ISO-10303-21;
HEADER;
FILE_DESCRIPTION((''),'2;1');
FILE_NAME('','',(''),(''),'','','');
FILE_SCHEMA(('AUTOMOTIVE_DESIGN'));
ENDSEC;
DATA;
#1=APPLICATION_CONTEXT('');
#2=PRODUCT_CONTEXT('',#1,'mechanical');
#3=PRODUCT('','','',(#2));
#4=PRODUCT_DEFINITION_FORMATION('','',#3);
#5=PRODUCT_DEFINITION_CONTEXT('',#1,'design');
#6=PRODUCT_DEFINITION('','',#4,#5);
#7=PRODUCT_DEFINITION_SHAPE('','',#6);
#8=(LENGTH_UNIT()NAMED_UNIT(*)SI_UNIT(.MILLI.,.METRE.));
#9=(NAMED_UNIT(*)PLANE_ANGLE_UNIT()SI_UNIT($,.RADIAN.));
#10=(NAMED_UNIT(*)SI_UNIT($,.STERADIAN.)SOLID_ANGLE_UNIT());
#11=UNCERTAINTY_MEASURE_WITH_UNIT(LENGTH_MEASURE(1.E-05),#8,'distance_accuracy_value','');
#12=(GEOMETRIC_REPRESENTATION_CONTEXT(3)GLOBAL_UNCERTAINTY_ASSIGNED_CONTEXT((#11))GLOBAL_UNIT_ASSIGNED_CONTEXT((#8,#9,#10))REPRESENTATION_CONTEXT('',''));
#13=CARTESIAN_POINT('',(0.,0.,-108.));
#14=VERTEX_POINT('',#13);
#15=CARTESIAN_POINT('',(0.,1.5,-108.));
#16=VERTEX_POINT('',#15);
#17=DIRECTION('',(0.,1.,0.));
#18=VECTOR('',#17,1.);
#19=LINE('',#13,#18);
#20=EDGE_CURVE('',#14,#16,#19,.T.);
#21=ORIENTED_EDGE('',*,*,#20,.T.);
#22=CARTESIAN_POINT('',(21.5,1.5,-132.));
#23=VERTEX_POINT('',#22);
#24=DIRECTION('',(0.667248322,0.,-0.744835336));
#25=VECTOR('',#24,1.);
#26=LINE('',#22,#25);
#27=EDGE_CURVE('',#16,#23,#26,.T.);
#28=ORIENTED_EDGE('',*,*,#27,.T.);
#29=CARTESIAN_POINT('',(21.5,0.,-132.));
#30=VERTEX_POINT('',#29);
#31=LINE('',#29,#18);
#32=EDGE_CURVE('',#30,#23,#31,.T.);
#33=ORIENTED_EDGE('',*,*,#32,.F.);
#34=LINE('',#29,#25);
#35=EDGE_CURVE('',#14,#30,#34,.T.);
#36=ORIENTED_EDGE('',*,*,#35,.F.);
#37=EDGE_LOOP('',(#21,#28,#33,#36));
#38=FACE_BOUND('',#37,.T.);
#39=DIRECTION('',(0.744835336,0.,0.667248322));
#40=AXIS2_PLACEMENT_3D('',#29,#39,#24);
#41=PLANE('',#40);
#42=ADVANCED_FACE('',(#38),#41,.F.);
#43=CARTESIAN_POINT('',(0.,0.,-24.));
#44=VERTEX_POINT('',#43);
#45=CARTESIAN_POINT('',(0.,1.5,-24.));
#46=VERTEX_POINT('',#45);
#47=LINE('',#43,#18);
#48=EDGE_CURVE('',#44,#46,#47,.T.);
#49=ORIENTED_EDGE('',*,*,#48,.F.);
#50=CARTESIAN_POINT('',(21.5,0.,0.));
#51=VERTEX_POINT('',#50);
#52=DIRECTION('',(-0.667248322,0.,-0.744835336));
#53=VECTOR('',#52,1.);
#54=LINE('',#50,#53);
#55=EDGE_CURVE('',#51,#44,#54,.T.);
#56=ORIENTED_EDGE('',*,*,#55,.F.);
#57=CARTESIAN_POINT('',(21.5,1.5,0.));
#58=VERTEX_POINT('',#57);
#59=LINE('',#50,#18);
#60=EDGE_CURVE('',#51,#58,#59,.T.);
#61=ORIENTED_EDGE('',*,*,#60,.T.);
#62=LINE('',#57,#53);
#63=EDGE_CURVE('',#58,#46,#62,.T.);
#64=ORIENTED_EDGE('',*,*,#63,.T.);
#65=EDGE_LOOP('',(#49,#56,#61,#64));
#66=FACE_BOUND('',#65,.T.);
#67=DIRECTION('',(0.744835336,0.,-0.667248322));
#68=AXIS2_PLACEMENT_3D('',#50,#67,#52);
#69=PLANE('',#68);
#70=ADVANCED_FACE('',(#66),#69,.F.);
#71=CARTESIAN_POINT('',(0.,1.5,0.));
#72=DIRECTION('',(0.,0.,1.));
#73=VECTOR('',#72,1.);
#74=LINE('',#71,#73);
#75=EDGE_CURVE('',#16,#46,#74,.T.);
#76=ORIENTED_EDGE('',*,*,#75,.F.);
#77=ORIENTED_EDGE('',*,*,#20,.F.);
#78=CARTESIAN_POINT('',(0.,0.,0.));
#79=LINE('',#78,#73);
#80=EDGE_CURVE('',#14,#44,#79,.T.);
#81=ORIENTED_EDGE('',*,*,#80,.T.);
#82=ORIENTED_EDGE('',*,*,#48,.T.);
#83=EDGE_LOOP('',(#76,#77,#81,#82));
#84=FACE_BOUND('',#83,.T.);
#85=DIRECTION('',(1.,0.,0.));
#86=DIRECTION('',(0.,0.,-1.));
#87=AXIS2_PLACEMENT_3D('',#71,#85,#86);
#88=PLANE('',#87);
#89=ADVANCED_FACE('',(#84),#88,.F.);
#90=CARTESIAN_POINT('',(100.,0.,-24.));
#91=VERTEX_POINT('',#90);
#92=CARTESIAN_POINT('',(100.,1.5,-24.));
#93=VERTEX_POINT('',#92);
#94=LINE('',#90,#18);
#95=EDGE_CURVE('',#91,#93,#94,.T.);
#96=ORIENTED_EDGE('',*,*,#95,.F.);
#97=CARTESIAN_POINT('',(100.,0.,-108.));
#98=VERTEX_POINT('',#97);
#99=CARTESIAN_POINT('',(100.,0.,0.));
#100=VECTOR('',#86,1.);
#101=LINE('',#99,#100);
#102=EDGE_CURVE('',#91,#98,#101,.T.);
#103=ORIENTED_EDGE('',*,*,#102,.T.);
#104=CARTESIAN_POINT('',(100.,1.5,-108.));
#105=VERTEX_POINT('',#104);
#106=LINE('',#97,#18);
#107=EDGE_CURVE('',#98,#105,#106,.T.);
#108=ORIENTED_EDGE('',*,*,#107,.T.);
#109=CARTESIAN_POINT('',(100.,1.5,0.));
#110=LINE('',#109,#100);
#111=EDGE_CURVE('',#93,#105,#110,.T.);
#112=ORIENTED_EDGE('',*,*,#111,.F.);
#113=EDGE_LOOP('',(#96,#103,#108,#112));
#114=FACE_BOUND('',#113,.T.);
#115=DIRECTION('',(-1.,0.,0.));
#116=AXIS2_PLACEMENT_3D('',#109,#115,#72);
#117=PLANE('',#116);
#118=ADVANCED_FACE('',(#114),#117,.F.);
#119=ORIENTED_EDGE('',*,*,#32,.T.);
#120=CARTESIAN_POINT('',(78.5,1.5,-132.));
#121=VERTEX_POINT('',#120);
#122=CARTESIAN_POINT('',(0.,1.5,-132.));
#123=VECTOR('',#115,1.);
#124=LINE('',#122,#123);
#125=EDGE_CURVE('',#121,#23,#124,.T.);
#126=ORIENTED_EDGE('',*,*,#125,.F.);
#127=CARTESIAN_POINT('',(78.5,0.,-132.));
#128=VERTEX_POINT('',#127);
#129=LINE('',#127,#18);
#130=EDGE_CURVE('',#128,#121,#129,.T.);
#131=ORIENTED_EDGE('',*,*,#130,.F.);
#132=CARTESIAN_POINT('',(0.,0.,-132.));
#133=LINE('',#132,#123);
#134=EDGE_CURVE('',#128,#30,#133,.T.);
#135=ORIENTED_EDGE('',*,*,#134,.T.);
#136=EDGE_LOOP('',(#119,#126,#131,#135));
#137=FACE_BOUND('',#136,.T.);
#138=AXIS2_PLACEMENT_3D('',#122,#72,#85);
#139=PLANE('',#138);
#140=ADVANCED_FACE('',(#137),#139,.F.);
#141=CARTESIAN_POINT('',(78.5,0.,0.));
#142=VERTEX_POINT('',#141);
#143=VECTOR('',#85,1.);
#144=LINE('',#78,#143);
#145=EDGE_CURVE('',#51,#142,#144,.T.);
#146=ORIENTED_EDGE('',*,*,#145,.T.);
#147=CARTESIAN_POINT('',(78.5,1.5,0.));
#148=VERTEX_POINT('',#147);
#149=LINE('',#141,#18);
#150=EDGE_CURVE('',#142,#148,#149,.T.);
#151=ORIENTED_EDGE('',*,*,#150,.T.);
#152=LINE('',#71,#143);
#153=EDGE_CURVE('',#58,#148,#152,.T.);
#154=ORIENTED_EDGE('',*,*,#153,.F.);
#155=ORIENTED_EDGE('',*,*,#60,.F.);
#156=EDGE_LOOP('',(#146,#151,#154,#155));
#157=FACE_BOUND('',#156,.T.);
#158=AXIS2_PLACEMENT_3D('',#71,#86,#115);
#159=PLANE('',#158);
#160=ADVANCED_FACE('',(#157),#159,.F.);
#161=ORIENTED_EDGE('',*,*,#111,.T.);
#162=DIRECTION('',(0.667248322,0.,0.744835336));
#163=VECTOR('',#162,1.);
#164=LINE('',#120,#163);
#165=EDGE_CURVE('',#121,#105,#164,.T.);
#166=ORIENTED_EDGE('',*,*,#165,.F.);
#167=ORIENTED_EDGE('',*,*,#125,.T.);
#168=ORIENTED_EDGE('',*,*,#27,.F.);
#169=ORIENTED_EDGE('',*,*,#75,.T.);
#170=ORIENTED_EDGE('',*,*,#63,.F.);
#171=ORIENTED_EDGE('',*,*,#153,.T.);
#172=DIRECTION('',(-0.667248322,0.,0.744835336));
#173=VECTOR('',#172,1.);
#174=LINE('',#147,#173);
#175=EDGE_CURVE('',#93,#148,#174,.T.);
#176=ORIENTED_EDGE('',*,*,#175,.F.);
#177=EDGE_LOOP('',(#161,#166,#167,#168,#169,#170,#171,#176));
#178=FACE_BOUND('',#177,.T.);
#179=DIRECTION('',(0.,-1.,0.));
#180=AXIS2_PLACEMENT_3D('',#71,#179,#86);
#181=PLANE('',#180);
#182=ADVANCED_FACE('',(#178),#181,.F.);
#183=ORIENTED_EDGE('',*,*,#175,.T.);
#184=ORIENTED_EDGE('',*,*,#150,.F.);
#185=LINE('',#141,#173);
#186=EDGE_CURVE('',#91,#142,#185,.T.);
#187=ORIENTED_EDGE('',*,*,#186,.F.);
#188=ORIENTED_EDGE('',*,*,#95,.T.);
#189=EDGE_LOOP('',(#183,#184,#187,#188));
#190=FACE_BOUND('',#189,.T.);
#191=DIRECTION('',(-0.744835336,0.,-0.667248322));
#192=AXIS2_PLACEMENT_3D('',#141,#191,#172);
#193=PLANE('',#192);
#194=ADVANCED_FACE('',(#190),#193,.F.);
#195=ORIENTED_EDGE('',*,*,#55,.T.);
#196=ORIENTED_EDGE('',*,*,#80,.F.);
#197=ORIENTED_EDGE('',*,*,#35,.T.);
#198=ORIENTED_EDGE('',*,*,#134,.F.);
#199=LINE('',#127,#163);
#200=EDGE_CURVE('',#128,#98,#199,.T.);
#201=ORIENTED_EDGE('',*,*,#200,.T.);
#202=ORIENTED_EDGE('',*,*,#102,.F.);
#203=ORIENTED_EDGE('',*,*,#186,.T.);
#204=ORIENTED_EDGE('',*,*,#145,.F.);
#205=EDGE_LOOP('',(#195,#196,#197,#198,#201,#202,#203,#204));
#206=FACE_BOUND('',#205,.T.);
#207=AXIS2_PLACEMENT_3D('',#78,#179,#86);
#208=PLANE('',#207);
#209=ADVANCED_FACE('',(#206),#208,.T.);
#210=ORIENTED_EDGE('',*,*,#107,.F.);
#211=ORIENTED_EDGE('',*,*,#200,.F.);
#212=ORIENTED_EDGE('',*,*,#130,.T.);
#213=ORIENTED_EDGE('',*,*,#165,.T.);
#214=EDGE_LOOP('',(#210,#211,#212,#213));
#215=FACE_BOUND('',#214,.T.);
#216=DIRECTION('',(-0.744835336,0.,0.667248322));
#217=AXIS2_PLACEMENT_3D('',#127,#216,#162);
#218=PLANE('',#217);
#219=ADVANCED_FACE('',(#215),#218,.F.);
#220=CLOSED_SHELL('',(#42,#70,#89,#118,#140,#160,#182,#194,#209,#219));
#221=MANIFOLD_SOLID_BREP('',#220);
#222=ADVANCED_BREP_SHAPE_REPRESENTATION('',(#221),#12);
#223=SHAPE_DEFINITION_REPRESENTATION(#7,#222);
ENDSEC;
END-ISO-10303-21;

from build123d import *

# Parameters (mm, degrees)
SKETCH1_W           = 100
SKETCH1_H           = 132
BOSS_EXTRUDE1_DEPTH = 1.5
CUT_EXTRUDE1_DEPTH  = 1.5


with BuildPart() as part:
    # Sketch1 → Boss-Extrude1 (new body)
    with BuildSketch(Plane(origin=(0, 0, 0), x_dir=(1, 0, 0), z_dir=(0, 1, 0))):
        with Locations((50, 66)):
            Rectangle(SKETCH1_W, SKETCH1_H)
    extrude(amount=BOSS_EXTRUDE1_DEPTH)

    # Sketch2 → Cut-Extrude1 (cut)
    with BuildSketch(Plane(origin=(0, 1.5, 0), x_dir=(1, 0, 0), z_dir=(0, 1, 0))):
        Polygon((78.5, 132), (100, 108), (126.790697674, 132), (105.290697674, 156), align=None)
        Polygon((-26.790697674, 132), (-5.290697674, 156), (21.5, 132), (0, 108), align=None)
        Polygon((126.790697674, 0), (105.290697674, -24), (78.5, 0), (100, 24), align=None)
        Polygon((0, 24), (-26.790697674, 0), (-5.290697674, -24), (21.5, 0), align=None)
    extrude(amount=-CUT_EXTRUDE1_DEPTH, mode=Mode.SUBTRACT)


solid = part.part
